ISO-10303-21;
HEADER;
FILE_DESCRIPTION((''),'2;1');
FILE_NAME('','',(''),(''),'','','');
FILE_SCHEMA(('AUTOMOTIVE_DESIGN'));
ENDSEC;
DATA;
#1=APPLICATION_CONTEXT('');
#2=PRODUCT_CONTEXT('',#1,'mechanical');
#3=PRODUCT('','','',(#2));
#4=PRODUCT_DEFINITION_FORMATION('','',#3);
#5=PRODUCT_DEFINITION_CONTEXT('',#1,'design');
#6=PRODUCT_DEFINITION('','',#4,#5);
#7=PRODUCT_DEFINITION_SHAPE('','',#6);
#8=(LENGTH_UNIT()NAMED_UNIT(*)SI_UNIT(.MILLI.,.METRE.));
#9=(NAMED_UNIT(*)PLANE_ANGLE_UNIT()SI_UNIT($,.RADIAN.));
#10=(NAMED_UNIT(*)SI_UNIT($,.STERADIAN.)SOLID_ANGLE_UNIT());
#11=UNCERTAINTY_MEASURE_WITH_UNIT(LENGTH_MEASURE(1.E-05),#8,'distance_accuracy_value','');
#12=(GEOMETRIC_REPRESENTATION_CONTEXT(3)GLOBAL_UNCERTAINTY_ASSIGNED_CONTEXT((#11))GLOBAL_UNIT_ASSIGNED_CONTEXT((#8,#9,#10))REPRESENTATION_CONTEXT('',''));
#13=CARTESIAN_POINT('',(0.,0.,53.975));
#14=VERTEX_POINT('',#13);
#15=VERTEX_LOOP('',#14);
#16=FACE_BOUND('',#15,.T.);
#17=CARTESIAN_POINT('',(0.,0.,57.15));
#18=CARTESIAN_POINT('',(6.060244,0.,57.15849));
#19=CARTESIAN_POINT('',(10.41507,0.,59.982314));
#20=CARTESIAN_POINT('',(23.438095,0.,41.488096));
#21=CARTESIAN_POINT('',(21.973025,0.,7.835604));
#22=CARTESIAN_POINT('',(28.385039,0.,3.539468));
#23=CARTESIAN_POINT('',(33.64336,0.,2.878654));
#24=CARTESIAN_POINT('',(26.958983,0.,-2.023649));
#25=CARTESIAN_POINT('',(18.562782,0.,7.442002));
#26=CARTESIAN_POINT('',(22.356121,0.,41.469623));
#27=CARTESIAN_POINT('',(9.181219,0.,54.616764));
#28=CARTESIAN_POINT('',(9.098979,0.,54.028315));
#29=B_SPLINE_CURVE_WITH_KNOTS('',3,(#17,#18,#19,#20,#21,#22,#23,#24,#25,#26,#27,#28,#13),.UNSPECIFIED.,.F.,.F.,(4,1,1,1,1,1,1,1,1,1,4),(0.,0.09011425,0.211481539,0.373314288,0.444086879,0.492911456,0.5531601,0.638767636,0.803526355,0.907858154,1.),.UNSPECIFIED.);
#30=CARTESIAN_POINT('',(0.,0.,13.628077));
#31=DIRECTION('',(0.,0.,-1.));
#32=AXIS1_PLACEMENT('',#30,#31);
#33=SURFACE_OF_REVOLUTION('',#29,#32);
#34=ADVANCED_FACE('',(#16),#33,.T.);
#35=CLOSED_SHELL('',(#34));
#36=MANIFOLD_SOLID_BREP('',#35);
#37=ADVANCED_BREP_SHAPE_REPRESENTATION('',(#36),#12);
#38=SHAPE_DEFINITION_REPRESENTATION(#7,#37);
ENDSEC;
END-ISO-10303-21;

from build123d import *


with BuildPart() as f2:
    # F0 (on Front) → F2 (revolve)
    with BuildSketch(Plane.XZ):
        with BuildLine():
            add(Edge.make_bspline(
                [(0, 57.15), (6.0602439675, 57.1584899988), (10.4150699517, 59.9823142411), (23.4380952473, 41.4880956312), (21.973024965, 7.8356037167), (28.385039397, 3.5394677851), (33.6433600062, 2.8786543249), (26.9589829381, -2.0236493552), (18.5627821512, 7.4420024434), (22.3561210814, 41.4696233146), (9.1812189262, 54.6167636328), (9.0989785138, 54.0283149073), (0, 53.975)],
                knots=[0, 0, 0, 0, 0.0901142502, 0.211481539, 0.3733142879, 0.4440868795, 0.4929114562, 0.5531600996, 0.6387676356, 0.8035263554, 0.907858154, 1, 1, 1, 1], degree=3))
            Line((0, 57.15), (0, 53.975))
        make_face()
    revolve(axis=Axis((0, 0, 13.628076762), (0, 0, -1)))


solid = f2.part
